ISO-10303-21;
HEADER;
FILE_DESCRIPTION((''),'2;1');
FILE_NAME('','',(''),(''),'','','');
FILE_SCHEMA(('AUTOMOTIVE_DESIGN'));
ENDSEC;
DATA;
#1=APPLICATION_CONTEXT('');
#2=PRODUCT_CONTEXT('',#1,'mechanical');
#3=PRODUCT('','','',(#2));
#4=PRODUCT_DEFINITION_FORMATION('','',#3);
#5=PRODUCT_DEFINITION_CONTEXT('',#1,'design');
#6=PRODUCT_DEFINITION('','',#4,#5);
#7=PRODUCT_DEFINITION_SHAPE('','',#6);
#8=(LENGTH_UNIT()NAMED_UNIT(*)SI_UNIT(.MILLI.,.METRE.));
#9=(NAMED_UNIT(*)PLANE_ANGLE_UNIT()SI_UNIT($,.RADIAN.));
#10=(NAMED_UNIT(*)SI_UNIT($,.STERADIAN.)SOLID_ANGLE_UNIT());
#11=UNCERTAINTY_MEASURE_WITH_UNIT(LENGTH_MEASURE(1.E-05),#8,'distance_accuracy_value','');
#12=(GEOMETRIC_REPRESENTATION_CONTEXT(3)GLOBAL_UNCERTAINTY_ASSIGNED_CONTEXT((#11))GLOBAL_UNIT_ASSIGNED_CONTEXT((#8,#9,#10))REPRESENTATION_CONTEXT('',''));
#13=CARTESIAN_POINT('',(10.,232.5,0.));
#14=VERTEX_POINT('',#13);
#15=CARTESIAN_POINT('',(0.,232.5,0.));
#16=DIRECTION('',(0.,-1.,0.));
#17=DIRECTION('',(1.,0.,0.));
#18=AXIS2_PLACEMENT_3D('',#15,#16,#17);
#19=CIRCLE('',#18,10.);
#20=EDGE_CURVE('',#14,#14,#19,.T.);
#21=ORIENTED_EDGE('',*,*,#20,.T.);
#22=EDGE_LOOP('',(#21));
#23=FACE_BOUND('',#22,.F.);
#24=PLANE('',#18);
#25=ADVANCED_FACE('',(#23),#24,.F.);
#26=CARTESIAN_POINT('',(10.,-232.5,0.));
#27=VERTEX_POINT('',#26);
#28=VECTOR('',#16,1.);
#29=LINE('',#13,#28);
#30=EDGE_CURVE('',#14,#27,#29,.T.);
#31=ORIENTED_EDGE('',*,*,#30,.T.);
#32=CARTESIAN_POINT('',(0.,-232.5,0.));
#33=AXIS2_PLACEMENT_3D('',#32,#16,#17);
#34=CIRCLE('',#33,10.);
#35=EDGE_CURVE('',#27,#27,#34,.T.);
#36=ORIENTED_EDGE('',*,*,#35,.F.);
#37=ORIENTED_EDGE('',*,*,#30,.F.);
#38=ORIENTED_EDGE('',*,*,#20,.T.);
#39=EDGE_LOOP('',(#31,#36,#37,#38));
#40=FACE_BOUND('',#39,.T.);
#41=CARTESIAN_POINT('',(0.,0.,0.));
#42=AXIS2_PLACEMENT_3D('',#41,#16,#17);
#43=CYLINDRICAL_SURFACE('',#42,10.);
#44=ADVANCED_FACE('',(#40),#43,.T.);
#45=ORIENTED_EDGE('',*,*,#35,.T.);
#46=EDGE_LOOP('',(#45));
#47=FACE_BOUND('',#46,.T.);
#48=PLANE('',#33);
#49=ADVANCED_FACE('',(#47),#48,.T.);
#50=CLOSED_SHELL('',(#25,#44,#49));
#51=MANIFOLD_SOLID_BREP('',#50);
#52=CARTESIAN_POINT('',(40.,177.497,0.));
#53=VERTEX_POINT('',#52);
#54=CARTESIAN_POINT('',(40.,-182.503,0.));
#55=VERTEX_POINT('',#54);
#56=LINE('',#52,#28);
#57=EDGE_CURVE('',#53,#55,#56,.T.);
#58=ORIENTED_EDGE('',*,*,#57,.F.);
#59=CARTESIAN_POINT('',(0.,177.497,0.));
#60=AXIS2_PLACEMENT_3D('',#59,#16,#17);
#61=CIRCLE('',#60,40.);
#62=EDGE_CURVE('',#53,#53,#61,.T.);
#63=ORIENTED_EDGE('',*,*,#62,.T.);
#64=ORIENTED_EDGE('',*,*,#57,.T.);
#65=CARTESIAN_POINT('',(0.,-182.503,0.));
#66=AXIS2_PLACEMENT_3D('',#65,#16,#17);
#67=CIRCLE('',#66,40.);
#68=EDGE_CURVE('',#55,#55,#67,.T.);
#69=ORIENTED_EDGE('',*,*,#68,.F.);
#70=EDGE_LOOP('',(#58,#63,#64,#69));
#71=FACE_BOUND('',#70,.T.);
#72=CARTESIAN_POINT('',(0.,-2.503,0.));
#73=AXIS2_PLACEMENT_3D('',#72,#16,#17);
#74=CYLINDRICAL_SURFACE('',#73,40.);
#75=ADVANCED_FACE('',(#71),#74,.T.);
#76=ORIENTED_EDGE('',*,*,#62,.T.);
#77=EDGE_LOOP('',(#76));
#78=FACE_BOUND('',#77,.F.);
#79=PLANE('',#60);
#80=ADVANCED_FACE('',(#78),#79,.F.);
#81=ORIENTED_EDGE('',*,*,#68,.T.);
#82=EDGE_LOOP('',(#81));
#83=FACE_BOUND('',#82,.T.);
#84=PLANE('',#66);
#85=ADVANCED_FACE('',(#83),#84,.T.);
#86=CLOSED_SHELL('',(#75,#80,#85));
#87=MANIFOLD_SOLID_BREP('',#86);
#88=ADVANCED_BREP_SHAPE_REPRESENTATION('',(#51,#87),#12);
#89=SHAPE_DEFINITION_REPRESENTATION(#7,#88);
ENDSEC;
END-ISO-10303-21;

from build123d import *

# Parameters (mm, degrees)
F0_R     = 10
F1_DEPTH = 232.5
F3_R     = 40
F4_DEPTH = 180


with BuildPart() as f1:
    # F0 (on Front) → F1 (new body, symmetric)
    with BuildSketch(Plane.XZ):
        Circle(F0_R)
    extrude(amount=F1_DEPTH, both=True)


with BuildPart() as f4:
    # F3 (on offset) → F4 (new body, symmetric)
    with BuildSketch(Plane.XZ.offset(2.503)):
        Circle(F3_R)
    extrude(amount=F4_DEPTH, both=True)


solid = Compound([f1.part, f4.part])
